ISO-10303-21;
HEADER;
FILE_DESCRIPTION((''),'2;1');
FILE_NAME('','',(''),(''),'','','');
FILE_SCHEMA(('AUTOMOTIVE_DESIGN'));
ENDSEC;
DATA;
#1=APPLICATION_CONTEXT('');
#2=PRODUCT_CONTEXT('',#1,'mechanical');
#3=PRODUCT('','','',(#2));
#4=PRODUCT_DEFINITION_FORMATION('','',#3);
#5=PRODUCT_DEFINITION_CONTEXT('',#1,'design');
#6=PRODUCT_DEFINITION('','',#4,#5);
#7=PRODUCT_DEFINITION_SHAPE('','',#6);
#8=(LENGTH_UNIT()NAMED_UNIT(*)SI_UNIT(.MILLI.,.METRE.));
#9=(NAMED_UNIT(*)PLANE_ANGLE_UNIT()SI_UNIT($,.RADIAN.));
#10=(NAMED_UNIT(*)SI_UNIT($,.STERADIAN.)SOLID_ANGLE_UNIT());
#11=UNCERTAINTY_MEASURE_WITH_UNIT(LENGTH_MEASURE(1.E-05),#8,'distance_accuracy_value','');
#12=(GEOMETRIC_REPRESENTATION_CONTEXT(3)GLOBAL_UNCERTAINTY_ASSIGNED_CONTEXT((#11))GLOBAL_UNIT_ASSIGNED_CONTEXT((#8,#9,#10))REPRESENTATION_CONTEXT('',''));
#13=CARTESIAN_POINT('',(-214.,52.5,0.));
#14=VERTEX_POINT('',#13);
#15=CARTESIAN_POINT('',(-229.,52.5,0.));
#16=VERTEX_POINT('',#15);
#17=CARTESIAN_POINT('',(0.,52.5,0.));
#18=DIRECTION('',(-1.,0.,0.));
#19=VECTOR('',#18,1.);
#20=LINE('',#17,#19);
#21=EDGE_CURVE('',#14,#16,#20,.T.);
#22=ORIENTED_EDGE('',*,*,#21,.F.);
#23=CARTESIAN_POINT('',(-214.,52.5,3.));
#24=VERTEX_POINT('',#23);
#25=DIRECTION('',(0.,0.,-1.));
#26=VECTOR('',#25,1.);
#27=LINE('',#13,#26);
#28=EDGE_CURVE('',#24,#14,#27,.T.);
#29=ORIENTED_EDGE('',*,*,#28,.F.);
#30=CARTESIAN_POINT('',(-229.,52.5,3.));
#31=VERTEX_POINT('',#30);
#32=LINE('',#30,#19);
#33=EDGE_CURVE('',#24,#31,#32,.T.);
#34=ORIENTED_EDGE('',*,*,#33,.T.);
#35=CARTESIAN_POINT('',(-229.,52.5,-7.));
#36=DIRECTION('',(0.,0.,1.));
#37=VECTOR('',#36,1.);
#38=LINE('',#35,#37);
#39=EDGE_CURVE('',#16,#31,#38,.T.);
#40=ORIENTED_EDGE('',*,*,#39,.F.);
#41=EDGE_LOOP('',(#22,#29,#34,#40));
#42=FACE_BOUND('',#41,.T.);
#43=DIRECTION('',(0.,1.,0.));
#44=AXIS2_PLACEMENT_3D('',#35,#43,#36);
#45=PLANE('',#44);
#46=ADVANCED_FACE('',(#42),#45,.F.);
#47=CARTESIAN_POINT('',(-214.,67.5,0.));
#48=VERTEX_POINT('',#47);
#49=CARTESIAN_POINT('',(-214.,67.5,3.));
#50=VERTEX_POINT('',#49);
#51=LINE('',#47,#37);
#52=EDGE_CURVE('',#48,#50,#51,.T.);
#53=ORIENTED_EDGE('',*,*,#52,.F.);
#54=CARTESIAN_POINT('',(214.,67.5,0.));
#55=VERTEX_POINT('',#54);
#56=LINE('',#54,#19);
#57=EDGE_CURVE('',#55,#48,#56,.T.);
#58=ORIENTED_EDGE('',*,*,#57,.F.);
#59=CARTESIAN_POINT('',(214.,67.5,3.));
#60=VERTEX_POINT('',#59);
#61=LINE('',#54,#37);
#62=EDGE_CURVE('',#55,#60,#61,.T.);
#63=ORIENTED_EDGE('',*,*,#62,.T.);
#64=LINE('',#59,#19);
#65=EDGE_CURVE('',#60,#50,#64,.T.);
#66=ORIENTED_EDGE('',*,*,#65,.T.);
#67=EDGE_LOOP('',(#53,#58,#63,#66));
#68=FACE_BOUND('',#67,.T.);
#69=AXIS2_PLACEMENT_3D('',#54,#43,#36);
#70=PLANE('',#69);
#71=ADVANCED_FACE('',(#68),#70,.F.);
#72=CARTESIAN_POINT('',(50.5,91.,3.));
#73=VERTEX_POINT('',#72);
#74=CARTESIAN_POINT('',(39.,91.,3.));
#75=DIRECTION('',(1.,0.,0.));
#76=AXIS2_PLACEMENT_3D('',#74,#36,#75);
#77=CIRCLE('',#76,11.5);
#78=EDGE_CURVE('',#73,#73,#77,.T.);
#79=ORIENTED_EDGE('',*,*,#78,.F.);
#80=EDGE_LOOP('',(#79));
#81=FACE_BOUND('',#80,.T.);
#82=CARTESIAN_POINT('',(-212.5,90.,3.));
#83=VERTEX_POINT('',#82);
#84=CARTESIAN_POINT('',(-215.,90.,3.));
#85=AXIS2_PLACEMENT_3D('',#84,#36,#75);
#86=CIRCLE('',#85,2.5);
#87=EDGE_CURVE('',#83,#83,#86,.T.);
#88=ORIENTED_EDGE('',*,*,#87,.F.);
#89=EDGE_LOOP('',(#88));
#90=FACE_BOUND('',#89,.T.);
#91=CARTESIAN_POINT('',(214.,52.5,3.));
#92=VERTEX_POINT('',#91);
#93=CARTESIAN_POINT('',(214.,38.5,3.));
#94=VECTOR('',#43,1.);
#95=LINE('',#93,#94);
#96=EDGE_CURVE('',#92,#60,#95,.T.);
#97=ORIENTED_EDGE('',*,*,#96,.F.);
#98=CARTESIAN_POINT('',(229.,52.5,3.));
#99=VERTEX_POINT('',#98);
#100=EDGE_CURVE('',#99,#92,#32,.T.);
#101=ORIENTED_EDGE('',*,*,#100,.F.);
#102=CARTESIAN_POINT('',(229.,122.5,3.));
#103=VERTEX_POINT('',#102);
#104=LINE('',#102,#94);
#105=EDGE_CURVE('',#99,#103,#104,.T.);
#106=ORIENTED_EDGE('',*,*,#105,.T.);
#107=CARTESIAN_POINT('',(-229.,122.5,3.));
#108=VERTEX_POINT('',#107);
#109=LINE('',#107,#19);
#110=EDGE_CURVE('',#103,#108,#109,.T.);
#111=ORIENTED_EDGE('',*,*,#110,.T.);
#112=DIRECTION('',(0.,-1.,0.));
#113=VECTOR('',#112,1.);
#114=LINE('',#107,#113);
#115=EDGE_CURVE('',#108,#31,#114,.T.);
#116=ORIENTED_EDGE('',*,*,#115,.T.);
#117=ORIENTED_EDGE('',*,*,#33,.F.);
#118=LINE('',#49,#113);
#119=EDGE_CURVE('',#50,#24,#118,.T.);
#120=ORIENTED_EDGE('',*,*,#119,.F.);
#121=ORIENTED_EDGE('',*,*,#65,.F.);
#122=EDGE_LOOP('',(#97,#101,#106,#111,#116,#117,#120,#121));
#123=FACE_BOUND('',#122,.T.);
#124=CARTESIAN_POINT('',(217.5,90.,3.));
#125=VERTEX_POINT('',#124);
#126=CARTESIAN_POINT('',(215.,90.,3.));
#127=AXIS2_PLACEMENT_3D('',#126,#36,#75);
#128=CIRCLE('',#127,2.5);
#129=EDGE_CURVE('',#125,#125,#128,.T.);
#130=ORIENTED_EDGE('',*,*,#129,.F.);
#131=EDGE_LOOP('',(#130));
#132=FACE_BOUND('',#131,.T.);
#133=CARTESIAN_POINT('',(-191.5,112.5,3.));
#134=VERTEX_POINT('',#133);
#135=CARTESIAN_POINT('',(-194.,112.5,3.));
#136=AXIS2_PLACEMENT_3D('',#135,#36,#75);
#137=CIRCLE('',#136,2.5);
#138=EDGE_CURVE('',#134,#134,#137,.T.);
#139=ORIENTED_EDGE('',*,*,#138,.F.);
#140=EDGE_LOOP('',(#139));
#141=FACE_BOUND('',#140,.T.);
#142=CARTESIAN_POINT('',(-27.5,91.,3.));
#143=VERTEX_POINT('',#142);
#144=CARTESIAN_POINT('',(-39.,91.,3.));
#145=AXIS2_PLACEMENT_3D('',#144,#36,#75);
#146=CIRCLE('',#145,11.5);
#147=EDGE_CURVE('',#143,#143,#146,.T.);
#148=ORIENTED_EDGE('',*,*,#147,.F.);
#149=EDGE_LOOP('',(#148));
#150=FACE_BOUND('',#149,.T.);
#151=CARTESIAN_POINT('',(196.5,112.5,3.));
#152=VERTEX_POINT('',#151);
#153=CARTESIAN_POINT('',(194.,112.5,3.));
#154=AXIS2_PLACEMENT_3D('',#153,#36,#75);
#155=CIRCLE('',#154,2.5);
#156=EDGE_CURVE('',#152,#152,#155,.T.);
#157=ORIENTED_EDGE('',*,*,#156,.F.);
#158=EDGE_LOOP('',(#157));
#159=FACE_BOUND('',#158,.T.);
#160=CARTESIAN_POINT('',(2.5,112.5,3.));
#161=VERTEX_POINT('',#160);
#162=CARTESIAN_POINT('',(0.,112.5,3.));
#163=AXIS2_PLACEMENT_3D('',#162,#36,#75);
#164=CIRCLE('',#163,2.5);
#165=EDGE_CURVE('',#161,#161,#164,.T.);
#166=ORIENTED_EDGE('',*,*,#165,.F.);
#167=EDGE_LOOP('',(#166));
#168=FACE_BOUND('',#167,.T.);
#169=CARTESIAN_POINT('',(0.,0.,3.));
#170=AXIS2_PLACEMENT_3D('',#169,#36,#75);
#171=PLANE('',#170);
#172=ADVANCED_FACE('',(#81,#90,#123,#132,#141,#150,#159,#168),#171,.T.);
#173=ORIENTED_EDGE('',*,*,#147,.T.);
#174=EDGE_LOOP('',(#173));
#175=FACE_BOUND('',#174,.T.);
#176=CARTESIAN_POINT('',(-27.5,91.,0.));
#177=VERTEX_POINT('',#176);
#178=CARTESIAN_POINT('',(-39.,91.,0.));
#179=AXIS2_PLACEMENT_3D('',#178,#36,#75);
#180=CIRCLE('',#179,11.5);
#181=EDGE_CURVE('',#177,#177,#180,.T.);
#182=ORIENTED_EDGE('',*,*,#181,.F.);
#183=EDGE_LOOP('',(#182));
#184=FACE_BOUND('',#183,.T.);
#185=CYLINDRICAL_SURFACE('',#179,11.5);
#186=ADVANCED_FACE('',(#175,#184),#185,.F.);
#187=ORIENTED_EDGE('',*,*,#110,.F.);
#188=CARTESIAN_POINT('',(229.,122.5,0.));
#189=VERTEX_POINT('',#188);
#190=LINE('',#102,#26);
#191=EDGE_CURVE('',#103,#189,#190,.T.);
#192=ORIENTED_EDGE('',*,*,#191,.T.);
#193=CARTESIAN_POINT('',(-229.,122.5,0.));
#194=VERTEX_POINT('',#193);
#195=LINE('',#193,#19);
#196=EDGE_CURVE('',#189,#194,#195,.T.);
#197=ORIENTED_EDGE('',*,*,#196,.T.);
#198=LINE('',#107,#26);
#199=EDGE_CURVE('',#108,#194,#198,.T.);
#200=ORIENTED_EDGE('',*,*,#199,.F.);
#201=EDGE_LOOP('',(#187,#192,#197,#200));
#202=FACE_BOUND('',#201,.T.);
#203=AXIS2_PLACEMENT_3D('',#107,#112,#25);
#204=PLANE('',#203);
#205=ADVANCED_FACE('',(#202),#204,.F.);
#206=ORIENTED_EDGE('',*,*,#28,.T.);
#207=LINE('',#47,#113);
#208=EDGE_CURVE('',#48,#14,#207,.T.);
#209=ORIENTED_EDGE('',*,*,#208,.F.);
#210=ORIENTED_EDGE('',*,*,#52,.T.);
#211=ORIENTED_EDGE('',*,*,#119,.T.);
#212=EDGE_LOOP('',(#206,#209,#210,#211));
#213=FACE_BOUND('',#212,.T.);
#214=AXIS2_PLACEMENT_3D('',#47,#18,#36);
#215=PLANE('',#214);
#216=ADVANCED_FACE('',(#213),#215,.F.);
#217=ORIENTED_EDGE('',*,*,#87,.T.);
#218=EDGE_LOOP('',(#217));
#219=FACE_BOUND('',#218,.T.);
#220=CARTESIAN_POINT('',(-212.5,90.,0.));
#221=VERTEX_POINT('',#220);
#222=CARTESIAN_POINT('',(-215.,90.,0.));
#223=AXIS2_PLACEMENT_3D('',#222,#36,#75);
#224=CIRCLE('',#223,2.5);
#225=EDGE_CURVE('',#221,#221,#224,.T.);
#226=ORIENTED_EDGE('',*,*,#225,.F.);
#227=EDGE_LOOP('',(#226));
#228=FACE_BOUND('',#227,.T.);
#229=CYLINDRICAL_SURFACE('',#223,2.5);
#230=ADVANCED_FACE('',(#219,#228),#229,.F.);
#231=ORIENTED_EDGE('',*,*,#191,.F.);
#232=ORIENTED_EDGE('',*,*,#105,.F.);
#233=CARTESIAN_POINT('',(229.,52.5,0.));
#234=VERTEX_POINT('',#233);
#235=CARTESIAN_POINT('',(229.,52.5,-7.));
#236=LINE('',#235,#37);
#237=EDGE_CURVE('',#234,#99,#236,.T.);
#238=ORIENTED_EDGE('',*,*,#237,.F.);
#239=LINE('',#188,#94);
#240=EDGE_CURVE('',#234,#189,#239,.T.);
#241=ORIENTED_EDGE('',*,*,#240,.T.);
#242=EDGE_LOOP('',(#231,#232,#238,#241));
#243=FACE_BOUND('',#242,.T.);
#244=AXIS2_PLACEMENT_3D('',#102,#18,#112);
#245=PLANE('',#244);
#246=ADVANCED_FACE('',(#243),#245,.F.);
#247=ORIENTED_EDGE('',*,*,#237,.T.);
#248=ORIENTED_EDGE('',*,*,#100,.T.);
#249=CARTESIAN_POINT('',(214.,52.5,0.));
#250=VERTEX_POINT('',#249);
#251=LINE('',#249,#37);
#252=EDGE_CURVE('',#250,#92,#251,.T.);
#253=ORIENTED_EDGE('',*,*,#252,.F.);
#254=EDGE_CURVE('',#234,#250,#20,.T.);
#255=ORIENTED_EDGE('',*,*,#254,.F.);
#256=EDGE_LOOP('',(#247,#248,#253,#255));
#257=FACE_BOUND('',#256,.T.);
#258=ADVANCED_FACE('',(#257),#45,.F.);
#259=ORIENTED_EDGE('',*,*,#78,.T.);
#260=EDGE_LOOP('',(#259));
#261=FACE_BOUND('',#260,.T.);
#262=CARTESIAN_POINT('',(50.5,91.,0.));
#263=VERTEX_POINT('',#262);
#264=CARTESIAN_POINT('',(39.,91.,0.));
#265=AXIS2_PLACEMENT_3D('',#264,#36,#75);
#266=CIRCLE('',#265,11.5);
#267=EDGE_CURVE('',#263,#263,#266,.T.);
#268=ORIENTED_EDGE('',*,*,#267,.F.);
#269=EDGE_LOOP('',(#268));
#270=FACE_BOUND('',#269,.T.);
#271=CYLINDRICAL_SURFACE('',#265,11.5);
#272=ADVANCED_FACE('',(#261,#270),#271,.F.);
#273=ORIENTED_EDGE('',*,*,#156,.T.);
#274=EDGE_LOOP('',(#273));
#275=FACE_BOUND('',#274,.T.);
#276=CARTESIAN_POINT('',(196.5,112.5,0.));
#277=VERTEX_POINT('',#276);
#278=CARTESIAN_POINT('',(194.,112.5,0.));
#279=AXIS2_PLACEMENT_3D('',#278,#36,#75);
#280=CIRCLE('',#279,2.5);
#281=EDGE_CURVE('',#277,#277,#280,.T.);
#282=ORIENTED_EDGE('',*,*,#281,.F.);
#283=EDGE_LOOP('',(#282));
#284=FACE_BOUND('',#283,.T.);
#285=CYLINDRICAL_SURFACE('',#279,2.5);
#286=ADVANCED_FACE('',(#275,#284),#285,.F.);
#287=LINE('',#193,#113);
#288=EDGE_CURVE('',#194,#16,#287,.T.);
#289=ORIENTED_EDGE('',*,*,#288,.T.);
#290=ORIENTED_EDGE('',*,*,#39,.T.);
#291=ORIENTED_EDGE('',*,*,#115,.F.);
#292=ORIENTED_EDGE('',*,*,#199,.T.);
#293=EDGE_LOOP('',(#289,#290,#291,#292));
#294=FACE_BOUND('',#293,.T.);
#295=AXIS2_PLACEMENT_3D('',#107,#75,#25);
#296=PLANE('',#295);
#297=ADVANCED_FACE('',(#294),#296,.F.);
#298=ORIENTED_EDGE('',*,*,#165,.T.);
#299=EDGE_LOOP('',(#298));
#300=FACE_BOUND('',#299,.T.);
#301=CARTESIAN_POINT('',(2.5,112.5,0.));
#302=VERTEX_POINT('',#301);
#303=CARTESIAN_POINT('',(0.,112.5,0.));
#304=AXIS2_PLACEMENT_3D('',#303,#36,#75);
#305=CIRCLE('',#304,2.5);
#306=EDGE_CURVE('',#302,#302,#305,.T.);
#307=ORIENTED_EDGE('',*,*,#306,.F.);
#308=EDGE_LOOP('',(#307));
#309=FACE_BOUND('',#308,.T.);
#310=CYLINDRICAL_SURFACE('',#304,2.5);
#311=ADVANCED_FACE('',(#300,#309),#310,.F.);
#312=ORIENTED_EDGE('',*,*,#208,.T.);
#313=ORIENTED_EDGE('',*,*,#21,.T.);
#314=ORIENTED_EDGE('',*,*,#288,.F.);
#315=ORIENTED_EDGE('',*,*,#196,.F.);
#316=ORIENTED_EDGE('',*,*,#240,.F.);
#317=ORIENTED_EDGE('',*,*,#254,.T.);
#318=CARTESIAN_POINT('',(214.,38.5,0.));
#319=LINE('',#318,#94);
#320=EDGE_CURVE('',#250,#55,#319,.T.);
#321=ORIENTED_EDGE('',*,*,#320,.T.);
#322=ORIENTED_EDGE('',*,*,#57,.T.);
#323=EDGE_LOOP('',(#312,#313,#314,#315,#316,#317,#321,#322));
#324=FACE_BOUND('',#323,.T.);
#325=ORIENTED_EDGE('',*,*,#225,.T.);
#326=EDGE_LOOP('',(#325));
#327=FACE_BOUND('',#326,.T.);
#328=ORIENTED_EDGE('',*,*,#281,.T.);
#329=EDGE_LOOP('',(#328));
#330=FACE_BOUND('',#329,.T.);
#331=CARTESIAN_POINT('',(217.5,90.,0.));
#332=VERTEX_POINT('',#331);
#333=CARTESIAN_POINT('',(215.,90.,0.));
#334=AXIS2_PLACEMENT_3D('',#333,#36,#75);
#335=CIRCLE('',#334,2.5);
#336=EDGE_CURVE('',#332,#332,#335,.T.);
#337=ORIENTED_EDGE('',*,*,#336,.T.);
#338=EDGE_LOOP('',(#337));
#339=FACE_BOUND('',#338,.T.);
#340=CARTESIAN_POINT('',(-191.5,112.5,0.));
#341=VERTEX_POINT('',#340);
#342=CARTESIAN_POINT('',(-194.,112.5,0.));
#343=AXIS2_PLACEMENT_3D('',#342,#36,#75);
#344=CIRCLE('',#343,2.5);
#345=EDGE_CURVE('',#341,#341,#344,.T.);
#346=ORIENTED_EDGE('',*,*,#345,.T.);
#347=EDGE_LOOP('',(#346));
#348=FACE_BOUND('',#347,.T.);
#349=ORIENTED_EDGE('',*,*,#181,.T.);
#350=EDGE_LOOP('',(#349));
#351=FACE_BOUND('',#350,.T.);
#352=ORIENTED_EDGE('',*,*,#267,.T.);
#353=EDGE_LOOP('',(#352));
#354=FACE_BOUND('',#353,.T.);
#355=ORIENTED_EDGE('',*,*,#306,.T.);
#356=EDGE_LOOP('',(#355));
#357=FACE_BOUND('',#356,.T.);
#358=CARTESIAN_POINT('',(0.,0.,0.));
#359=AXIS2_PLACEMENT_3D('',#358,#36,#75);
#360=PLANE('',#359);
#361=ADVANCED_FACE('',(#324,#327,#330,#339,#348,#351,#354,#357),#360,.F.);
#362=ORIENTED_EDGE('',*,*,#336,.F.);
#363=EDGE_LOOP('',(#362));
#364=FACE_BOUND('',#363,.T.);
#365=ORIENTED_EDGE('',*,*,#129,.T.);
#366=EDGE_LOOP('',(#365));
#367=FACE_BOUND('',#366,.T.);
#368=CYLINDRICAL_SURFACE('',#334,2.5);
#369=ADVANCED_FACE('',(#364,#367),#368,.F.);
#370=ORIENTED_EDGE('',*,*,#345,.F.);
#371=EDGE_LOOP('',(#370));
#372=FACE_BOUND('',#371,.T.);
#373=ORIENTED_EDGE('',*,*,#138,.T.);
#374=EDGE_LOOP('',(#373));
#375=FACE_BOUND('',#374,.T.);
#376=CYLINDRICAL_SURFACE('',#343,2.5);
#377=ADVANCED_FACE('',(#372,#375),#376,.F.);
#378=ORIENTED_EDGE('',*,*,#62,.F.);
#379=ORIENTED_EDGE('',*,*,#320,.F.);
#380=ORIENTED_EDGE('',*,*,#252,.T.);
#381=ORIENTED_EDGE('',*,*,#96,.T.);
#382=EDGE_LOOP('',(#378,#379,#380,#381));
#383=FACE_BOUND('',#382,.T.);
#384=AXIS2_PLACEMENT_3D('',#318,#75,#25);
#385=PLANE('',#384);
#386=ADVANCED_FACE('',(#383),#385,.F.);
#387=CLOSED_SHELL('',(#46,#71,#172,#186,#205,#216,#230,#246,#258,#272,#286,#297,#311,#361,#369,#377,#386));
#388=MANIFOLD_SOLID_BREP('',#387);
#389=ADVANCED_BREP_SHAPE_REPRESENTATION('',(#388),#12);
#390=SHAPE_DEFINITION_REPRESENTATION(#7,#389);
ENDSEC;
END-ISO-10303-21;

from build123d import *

# Parameters (mm, degrees)
SKETCH1_W           = 458
SKETCH1_H           = 245
BOSS_EXTRUDE1_DEPTH = 3
CUT_EXTRUDE1_DEPTH  = 260.723410574
SKETCH3_R           = 2.5
CUT_EXTRUDE2_DEPTH  = 260.723410574
SKETCH4_R           = 11.5
CUT_EXTRUDE3_DEPTH  = 260.723410574
SKETCH5_W           = 428
SKETCH5_H           = 29
CUT_EXTRUDE4_DEPTH  = 260.723410574
SKETCH8_R           = 1.5
SKETCH8_W           = 69.9
SKETCH8_H           = 41.2
CUT_EXTRUDE5_DEPTH  = 260.723410574
SKETCH9_W           = 458
SKETCH9_H           = 175
CUT_EXTRUDE7_DEPTH  = 10


with BuildPart() as part:
    # Sketch1 → Boss-Extrude1 (new body)
    with BuildSketch(Plane.XY):
        Rectangle(SKETCH1_W, SKETCH1_H)
    extrude(amount=BOSS_EXTRUDE1_DEPTH)

    # Sketch2 → Cut-Extrude1 (cut, through all)
    with BuildSketch(Plane.XY.offset(3)):
        with BuildLine():
            Line((-148, -107.5), (-148, -122.5))
            ThreePointArc((-148, -122.5), (-155, -129.5), (-162, -122.5))
            Line((-162, -122.5), (-162, -107.5))
            ThreePointArc((-162, -107.5), (-155, -100.5), (-148, -107.5))
        make_face()
        with BuildLine():
            Line((162, -107.5), (162, -122.5))
            ThreePointArc((162, -122.5), (155, -129.5), (148, -122.5))
            Line((148, -122.5), (148, -107.5))
            ThreePointArc((148, -107.5), (155, -100.5), (162, -107.5))
        make_face()
    extrude(amount=-CUT_EXTRUDE1_DEPTH, mode=Mode.SUBTRACT)

    # Sketch3 → Cut-Extrude2 (cut, through all)
    with BuildSketch(Plane.XY.offset(3)):
        with Locations((-194, 112.5)):
            Circle(SKETCH3_R)
        with Locations((-194, -107.5)):
            Circle(SKETCH3_R)
        with Locations((194, -107.5)):
            Circle(SKETCH3_R)
        with Locations((194, 112.5)):
            Circle(SKETCH3_R)
        with Locations((-215, 0)):
            Circle(SKETCH3_R)
        with Locations((-215, -90)):
            Circle(SKETCH3_R)
        with Locations((-215, 90)):
            Circle(SKETCH3_R)
        with Locations((215, 0)):
            Circle(SKETCH3_R)
        with Locations((215, -90)):
            Circle(SKETCH3_R)
        with Locations((215, 90)):
            Circle(SKETCH3_R)
        with Locations((0, 112.5)):
            Circle(SKETCH3_R)
        with Locations((0, -107.5)):
            Circle(SKETCH3_R)
    extrude(amount=-CUT_EXTRUDE2_DEPTH, mode=Mode.SUBTRACT)

    # Sketch4 → Cut-Extrude3 (cut, through all)
    with BuildSketch(Plane.XY.offset(3)):
        with Locations((-39, 91)):
            Circle(SKETCH4_R)
        with Locations((39, 91)):
            Circle(SKETCH4_R)
    extrude(amount=-CUT_EXTRUDE3_DEPTH, mode=Mode.SUBTRACT)

    # Sketch5 → Cut-Extrude4 (cut, through all)
    with BuildSketch(Plane.XY.offset(3)):
        with Locations((0, 53)):
            Rectangle(SKETCH5_W, SKETCH5_H)
    extrude(amount=-CUT_EXTRUDE4_DEPTH, mode=Mode.SUBTRACT)

    # Sketch8 → Cut-Extrude5 (cut, through all)
    with BuildSketch(Plane.XY.offset(3)):
        with Locations((5.296172264, 15.703565509)):
            Circle(SKETCH8_R)
        with Locations((5.679687501, -26.054673392)):
            Circle(SKETCH8_R)
        with Locations((-83.3, 14.88)):
            Circle(SKETCH8_R)
        with Locations((-83.367997673, -26.737946691)):
            Circle(SKETCH8_R)
        with Locations((-39, -5.5)):
            Rectangle(SKETCH8_W, SKETCH8_H)
    extrude(amount=-CUT_EXTRUDE5_DEPTH, mode=Mode.SUBTRACT)

    # Sketch9 → Cut-Extrude7 (cut)
    with BuildSketch(Plane.XY.offset(3)):
        with Locations((0, -35)):
            Rectangle(SKETCH9_W, SKETCH9_H)
    extrude(amount=-CUT_EXTRUDE7_DEPTH, mode=Mode.SUBTRACT)


solid = part.part
